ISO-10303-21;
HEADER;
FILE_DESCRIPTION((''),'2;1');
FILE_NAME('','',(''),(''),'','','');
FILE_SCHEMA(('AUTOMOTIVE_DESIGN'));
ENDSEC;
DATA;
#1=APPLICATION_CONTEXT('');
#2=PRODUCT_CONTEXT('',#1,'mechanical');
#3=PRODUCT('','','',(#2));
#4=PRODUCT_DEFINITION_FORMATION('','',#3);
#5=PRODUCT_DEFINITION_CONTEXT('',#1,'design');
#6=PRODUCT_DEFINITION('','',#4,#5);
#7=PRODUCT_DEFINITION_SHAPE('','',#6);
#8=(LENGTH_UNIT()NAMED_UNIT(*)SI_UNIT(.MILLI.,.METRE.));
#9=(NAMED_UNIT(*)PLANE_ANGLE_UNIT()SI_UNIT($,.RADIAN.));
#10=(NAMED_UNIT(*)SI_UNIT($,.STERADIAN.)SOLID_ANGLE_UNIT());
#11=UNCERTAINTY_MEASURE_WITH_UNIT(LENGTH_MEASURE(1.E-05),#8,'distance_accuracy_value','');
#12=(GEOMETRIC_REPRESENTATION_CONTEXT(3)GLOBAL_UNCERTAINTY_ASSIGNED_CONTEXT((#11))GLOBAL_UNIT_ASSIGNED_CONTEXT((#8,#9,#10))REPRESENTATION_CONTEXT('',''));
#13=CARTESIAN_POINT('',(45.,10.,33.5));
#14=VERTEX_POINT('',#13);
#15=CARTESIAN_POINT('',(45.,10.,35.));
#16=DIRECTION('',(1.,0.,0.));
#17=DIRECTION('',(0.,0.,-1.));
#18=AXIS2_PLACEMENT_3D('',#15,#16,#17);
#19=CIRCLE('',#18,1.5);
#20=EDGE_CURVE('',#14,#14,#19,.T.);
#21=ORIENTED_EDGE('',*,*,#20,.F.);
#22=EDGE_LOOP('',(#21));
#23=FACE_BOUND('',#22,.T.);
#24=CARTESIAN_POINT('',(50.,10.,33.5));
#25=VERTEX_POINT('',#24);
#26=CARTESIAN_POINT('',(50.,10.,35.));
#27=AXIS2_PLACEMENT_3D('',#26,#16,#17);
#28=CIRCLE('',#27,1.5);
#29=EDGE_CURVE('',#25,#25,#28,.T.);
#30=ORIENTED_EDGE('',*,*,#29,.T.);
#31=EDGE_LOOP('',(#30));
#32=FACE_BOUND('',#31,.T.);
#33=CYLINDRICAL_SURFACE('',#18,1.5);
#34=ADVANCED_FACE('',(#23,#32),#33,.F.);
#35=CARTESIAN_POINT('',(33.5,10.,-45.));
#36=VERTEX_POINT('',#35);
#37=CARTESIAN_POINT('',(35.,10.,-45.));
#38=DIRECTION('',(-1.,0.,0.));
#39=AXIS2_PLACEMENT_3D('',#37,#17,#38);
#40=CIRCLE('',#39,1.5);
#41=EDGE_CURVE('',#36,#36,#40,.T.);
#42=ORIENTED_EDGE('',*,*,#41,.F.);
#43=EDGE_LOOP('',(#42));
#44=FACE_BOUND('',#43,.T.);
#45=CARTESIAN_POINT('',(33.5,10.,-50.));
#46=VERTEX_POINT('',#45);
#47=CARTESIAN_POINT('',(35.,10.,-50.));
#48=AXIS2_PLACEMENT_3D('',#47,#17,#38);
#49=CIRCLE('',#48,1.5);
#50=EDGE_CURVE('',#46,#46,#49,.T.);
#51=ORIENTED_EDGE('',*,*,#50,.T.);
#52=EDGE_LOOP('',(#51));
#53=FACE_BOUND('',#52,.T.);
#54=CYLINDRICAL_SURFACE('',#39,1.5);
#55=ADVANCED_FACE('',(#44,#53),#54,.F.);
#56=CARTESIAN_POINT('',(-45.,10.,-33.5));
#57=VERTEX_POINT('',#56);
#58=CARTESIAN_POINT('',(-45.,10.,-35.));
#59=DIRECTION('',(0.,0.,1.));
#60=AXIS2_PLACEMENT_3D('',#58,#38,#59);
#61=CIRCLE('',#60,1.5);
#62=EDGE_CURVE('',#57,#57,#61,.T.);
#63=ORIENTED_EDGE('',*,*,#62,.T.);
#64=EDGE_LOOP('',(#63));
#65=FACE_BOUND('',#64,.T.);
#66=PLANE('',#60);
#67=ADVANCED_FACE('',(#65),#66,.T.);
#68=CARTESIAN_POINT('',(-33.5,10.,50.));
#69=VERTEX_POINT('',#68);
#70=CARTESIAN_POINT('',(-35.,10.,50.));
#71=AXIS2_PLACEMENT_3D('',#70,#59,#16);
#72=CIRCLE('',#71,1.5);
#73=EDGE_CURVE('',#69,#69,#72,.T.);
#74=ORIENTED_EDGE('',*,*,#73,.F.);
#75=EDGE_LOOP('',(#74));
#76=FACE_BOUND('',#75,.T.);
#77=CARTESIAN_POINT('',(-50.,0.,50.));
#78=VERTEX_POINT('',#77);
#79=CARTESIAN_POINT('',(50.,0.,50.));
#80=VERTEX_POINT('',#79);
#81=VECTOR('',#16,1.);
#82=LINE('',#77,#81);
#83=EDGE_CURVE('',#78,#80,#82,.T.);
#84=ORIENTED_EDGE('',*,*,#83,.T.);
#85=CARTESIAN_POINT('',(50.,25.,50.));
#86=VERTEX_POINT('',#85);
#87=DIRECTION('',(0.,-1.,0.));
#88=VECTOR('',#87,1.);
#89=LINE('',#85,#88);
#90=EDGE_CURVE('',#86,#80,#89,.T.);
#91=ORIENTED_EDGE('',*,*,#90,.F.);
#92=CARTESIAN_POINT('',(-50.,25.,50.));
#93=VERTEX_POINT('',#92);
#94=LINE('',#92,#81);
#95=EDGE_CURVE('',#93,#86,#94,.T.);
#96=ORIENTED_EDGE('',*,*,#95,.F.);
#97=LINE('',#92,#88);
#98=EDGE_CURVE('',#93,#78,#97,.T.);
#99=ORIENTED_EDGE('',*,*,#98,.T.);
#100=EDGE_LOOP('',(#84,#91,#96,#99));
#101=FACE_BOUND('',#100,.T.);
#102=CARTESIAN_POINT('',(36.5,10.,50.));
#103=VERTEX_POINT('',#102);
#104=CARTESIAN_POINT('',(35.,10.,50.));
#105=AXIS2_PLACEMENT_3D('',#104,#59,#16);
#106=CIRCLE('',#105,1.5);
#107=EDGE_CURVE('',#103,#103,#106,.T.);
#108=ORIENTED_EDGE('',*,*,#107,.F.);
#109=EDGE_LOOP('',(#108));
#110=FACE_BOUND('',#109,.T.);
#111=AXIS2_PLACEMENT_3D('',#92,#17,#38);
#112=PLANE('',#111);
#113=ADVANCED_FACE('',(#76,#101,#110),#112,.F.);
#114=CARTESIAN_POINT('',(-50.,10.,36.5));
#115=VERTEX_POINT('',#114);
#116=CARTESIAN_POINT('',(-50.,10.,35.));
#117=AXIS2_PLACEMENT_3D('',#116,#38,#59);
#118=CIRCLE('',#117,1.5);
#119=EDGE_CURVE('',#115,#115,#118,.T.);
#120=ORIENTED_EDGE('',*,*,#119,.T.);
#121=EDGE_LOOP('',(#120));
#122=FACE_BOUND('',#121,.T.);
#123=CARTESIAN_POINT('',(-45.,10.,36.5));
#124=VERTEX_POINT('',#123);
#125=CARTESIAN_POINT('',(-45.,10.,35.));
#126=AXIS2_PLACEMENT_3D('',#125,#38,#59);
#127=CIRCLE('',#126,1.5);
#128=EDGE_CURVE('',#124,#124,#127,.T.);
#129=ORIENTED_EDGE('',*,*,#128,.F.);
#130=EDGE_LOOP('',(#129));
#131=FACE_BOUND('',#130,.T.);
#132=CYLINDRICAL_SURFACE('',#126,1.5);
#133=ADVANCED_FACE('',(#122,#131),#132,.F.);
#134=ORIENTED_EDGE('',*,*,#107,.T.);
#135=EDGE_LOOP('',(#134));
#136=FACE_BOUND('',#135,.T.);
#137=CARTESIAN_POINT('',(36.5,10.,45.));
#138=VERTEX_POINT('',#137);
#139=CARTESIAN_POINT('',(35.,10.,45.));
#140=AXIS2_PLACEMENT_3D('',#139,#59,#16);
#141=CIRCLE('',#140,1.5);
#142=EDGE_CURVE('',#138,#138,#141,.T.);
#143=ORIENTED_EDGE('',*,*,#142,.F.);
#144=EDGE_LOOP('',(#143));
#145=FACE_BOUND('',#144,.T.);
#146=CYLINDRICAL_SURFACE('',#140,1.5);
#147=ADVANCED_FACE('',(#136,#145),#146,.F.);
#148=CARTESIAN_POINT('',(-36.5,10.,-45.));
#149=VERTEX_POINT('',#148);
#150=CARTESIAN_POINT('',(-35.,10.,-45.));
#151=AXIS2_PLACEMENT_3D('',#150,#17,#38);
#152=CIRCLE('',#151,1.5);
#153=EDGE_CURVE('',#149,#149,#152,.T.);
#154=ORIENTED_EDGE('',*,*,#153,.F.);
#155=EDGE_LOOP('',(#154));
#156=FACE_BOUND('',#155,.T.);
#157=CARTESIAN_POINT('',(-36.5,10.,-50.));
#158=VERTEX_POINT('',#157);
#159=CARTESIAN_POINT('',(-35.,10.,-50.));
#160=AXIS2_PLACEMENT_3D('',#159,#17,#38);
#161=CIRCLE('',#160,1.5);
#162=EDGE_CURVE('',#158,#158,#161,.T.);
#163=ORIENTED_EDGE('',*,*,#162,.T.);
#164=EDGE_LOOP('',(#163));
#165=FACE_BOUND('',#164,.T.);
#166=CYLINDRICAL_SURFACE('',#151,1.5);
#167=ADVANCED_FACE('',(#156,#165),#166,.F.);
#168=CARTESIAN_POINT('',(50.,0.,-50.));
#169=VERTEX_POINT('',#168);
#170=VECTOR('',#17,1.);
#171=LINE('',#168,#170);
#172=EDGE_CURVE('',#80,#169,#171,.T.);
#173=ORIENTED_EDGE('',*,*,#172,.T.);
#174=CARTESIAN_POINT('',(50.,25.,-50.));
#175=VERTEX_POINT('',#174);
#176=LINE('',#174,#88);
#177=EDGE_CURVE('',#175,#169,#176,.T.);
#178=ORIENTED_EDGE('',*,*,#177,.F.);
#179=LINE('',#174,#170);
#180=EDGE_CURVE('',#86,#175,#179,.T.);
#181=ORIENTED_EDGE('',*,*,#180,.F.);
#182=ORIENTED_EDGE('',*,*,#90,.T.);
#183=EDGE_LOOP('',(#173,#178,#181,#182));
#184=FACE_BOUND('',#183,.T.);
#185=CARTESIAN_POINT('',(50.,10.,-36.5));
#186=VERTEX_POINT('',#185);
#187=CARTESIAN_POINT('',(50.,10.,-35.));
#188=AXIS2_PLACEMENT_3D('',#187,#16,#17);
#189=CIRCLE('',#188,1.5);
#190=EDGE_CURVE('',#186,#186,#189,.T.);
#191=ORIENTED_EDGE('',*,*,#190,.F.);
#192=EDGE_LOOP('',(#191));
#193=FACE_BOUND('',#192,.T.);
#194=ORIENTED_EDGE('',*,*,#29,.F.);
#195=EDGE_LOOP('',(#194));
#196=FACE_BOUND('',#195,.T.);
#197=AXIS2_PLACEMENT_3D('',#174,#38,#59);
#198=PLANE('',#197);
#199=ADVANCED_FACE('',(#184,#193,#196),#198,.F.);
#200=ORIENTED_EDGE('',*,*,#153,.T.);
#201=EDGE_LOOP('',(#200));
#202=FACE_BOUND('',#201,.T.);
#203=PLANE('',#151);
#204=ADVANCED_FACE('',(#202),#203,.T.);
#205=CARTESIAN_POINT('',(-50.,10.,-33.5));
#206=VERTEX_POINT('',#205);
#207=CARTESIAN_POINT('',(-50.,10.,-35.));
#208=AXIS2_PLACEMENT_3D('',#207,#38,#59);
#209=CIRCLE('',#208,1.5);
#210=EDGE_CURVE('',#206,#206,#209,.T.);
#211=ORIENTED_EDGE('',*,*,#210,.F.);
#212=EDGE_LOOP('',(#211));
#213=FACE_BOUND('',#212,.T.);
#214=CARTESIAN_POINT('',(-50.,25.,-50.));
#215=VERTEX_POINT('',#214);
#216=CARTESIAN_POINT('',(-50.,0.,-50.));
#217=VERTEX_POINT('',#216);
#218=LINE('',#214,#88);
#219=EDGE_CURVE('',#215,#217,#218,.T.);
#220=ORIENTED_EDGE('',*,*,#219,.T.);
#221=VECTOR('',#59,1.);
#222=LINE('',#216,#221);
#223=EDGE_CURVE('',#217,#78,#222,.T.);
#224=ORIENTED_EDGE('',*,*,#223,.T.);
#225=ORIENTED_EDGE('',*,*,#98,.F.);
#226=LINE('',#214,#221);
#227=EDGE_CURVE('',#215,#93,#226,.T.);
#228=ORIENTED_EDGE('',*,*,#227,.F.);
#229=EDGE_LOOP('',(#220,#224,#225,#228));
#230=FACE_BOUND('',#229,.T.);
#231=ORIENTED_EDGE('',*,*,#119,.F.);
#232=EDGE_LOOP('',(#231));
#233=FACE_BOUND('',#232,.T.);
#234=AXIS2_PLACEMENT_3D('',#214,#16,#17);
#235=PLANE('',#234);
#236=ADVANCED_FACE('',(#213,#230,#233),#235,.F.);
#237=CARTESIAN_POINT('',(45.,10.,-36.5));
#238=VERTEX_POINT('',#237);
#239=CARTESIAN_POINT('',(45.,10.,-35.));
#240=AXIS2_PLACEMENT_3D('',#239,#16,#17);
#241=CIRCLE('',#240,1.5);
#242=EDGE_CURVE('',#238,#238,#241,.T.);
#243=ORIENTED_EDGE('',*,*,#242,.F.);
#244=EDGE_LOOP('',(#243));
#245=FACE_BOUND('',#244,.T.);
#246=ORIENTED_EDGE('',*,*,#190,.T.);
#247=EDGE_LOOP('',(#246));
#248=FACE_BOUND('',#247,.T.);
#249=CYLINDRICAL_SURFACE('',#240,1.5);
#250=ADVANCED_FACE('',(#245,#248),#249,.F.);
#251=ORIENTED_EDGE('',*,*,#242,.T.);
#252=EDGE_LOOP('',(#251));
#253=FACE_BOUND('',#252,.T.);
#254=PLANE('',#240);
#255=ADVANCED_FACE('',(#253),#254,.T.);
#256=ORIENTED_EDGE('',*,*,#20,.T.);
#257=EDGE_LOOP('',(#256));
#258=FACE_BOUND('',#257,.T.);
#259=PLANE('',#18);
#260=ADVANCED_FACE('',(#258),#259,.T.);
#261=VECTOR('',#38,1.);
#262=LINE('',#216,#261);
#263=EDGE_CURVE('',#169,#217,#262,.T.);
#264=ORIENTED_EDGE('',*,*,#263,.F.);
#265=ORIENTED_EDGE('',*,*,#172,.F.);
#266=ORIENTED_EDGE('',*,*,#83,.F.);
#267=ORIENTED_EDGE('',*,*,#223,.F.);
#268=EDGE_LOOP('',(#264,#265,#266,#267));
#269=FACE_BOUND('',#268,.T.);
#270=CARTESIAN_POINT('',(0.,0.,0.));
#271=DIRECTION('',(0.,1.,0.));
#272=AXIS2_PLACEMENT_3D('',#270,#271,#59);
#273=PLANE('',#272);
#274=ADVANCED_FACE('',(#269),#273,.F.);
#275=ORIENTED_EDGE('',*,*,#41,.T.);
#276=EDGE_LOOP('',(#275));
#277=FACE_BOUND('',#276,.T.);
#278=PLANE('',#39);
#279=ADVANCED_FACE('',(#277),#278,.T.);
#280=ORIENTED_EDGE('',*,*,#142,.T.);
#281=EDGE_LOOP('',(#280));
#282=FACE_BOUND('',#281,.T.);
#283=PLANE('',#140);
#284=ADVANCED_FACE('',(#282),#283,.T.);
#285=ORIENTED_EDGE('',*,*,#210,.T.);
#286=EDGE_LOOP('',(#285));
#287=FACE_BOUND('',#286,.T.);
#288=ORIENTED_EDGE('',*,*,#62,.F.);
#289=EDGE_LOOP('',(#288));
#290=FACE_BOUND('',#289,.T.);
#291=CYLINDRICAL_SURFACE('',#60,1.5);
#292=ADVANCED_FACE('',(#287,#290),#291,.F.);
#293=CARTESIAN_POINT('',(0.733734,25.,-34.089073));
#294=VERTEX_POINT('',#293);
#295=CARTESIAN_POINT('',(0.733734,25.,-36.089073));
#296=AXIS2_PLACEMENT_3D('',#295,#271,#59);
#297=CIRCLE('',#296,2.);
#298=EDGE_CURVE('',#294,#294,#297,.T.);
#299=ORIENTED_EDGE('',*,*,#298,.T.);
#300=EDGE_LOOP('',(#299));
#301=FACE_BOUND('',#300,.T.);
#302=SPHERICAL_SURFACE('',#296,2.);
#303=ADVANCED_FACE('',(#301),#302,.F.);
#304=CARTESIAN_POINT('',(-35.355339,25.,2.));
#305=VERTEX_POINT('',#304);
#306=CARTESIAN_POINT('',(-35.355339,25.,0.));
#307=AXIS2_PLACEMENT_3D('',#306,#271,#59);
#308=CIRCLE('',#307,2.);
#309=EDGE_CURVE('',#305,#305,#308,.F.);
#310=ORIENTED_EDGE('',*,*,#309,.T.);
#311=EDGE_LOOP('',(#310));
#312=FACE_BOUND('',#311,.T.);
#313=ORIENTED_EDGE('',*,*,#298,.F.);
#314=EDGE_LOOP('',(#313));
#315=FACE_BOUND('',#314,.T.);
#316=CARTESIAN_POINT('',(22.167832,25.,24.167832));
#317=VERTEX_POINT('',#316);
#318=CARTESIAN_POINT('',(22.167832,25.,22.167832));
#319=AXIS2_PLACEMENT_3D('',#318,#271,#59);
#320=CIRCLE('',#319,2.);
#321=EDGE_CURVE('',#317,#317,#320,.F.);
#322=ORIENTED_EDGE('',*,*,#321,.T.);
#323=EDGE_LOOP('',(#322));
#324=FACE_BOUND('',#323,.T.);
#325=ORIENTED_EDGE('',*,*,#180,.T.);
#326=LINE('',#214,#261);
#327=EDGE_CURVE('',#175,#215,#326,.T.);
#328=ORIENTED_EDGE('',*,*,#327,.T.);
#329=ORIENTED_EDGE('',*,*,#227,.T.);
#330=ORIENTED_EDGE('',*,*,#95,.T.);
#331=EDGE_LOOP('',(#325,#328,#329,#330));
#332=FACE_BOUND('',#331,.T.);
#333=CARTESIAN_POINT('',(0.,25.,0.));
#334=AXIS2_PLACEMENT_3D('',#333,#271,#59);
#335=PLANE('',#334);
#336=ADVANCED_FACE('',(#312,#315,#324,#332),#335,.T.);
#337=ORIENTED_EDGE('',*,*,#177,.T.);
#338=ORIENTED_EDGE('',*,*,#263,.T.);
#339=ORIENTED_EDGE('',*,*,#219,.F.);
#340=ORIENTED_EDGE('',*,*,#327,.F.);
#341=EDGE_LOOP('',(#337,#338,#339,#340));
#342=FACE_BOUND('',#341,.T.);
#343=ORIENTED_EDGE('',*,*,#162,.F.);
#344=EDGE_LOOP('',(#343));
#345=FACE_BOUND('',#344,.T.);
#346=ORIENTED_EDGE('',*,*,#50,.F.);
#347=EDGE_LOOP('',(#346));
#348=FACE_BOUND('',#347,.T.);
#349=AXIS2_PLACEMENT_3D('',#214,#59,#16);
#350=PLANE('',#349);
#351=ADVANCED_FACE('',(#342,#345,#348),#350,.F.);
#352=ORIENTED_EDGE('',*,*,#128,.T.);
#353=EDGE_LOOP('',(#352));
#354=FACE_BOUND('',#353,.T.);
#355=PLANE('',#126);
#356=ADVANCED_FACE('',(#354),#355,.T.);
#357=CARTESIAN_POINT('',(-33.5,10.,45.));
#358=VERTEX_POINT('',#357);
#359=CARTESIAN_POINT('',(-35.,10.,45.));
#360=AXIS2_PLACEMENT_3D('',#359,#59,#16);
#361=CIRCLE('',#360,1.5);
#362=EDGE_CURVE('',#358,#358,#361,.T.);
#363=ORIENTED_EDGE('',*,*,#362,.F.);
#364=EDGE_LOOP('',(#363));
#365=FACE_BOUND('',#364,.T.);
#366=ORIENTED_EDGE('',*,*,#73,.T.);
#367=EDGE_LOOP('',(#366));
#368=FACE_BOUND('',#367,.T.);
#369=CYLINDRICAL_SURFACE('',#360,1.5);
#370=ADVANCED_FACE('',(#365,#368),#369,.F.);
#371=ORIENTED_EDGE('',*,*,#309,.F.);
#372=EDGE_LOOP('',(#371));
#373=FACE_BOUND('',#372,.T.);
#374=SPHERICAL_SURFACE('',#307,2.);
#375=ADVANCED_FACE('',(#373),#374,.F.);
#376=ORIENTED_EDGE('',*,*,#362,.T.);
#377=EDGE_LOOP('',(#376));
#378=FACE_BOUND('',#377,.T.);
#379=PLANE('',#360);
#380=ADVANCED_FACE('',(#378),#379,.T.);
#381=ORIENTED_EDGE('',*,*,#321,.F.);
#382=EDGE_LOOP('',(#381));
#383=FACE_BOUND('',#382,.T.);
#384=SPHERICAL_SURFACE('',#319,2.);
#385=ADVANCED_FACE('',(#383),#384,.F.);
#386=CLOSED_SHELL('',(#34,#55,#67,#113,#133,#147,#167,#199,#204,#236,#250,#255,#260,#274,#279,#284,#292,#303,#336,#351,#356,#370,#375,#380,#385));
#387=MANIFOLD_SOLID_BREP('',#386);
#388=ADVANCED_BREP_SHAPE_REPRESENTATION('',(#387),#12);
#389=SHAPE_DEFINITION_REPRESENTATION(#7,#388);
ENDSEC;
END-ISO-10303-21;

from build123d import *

# Parameters (mm, degrees)
SKETCH1_W           = 100
SKETCH1_H           = 100
BOSS_EXTRUDE1_DEPTH = 25
SKETCH5_R           = 1.5
CUT_EXTRUDE1_DEPTH  = 5
SKETCH6_R           = 1.5
CUT_EXTRUDE2_DEPTH  = 5
SKETCH7_R           = 1.5
CUT_EXTRUDE3_DEPTH  = 5
SKETCH8_R           = 1.5
CUT_EXTRUDE4_DEPTH  = 5


with BuildPart() as part:
    # Sketch1 → Boss-Extrude1 (new body)
    with BuildSketch(Plane(origin=(0, 0, 0), x_dir=(1, 0, 0), z_dir=(0, 1, 0))):
        Rectangle(SKETCH1_W, SKETCH1_H)
    extrude(amount=BOSS_EXTRUDE1_DEPTH)

    # Sketch2 → Cut-Revolve7 (revolve, cut)
    with BuildSketch(Plane(origin=(0, 25, 0), x_dir=(1, 0, 0), z_dir=(0, 1, 0))):
        with BuildLine():
            Line((-36.769552622, 1.414213562), (-33.941125497, -1.414213562))
            ThreePointArc((-33.941125497, -1.414213562), (-33.941125497, 1.414213562), (-36.769552622, 1.414213562))
        make_face()
    revolve(axis=Axis((-36.769552622, 25, -1.414213562), (0.707106781, 0, 0.707106781)), mode=Mode.SUBTRACT)

    # Sketch3 → Cut-Revolve8 (revolve, cut)
    with BuildSketch(Plane(origin=(0, 25, 0), x_dir=(1, 0, 0), z_dir=(0, 1, 0))):
        with BuildLine():
            Line((2.147947634, 34.674859569), (-0.680479491, 37.503286693))
            ThreePointArc((-0.680479491, 37.503286693), (2.147947634, 37.503286693), (2.147947634, 34.674859569))
        make_face()
    revolve(axis=Axis((2.147947634, 25, -34.674859569), (-0.707106781, 0, -0.707106781)), mode=Mode.SUBTRACT)

    # Sketch4 → Cut-Revolve9 (revolve, cut)
    with BuildSketch(Plane(origin=(0, 25, 0), x_dir=(1, 0, 0), z_dir=(0, 1, 0))):
        with BuildLine():
            Line((23.582045131, -23.582045131), (20.753618006, -20.753618006))
            ThreePointArc((20.753618006, -20.753618006), (23.582045131, -20.753618006), (23.582045131, -23.582045131))
        make_face()
    revolve(axis=Axis((-50, 25, -50), (0.707106781, 0, 0.707106781)), mode=Mode.SUBTRACT)

    # Sketch5 → Cut-Extrude1 (cut)
    with BuildSketch(Plane.XY.offset(50)):
        with Locations((-35, 10)):
            Circle(SKETCH5_R)
        with Locations((35, 10)):
            Circle(SKETCH5_R)
    extrude(amount=-CUT_EXTRUDE1_DEPTH, mode=Mode.SUBTRACT)

    # Sketch6 → Cut-Extrude2 (cut)
    with BuildSketch(Plane(origin=(50, 0, 0), x_dir=(0, 0, -1), z_dir=(1, 0, 0))):
        with Locations((-35, 10)):
            Circle(SKETCH6_R)
        with Locations((35, 10)):
            Circle(SKETCH6_R)
    extrude(amount=-CUT_EXTRUDE2_DEPTH, mode=Mode.SUBTRACT)

    # Sketch7 → Cut-Extrude3 (cut)
    with BuildSketch(Plane(origin=(0, 0, -50), x_dir=(-1, 0, 0), z_dir=(0, 0, -1))):
        with Locations(Location((-35, 10, 0), (0, 0, 180))):  # turned: the seam where the file's is
            Circle(SKETCH7_R)
        with Locations(Location((35, 10, 0), (0, 0, 180))):  # turned: the seam where the file's is
            Circle(SKETCH7_R)
    extrude(amount=-CUT_EXTRUDE3_DEPTH, mode=Mode.SUBTRACT)

    # Sketch8 → Cut-Extrude4 (cut)
    with BuildSketch(Plane.ZY.offset(50)):
        with Locations(Location((-35, 10, 0), (0, 0, 180))):  # turned: the seam where the file's is
            Circle(SKETCH8_R)
        with Locations(Location((35, 10, 0), (0, 0, 180))):  # turned: the seam where the file's is
            Circle(SKETCH8_R)
    extrude(amount=-CUT_EXTRUDE4_DEPTH, mode=Mode.SUBTRACT)


solid = part.part
